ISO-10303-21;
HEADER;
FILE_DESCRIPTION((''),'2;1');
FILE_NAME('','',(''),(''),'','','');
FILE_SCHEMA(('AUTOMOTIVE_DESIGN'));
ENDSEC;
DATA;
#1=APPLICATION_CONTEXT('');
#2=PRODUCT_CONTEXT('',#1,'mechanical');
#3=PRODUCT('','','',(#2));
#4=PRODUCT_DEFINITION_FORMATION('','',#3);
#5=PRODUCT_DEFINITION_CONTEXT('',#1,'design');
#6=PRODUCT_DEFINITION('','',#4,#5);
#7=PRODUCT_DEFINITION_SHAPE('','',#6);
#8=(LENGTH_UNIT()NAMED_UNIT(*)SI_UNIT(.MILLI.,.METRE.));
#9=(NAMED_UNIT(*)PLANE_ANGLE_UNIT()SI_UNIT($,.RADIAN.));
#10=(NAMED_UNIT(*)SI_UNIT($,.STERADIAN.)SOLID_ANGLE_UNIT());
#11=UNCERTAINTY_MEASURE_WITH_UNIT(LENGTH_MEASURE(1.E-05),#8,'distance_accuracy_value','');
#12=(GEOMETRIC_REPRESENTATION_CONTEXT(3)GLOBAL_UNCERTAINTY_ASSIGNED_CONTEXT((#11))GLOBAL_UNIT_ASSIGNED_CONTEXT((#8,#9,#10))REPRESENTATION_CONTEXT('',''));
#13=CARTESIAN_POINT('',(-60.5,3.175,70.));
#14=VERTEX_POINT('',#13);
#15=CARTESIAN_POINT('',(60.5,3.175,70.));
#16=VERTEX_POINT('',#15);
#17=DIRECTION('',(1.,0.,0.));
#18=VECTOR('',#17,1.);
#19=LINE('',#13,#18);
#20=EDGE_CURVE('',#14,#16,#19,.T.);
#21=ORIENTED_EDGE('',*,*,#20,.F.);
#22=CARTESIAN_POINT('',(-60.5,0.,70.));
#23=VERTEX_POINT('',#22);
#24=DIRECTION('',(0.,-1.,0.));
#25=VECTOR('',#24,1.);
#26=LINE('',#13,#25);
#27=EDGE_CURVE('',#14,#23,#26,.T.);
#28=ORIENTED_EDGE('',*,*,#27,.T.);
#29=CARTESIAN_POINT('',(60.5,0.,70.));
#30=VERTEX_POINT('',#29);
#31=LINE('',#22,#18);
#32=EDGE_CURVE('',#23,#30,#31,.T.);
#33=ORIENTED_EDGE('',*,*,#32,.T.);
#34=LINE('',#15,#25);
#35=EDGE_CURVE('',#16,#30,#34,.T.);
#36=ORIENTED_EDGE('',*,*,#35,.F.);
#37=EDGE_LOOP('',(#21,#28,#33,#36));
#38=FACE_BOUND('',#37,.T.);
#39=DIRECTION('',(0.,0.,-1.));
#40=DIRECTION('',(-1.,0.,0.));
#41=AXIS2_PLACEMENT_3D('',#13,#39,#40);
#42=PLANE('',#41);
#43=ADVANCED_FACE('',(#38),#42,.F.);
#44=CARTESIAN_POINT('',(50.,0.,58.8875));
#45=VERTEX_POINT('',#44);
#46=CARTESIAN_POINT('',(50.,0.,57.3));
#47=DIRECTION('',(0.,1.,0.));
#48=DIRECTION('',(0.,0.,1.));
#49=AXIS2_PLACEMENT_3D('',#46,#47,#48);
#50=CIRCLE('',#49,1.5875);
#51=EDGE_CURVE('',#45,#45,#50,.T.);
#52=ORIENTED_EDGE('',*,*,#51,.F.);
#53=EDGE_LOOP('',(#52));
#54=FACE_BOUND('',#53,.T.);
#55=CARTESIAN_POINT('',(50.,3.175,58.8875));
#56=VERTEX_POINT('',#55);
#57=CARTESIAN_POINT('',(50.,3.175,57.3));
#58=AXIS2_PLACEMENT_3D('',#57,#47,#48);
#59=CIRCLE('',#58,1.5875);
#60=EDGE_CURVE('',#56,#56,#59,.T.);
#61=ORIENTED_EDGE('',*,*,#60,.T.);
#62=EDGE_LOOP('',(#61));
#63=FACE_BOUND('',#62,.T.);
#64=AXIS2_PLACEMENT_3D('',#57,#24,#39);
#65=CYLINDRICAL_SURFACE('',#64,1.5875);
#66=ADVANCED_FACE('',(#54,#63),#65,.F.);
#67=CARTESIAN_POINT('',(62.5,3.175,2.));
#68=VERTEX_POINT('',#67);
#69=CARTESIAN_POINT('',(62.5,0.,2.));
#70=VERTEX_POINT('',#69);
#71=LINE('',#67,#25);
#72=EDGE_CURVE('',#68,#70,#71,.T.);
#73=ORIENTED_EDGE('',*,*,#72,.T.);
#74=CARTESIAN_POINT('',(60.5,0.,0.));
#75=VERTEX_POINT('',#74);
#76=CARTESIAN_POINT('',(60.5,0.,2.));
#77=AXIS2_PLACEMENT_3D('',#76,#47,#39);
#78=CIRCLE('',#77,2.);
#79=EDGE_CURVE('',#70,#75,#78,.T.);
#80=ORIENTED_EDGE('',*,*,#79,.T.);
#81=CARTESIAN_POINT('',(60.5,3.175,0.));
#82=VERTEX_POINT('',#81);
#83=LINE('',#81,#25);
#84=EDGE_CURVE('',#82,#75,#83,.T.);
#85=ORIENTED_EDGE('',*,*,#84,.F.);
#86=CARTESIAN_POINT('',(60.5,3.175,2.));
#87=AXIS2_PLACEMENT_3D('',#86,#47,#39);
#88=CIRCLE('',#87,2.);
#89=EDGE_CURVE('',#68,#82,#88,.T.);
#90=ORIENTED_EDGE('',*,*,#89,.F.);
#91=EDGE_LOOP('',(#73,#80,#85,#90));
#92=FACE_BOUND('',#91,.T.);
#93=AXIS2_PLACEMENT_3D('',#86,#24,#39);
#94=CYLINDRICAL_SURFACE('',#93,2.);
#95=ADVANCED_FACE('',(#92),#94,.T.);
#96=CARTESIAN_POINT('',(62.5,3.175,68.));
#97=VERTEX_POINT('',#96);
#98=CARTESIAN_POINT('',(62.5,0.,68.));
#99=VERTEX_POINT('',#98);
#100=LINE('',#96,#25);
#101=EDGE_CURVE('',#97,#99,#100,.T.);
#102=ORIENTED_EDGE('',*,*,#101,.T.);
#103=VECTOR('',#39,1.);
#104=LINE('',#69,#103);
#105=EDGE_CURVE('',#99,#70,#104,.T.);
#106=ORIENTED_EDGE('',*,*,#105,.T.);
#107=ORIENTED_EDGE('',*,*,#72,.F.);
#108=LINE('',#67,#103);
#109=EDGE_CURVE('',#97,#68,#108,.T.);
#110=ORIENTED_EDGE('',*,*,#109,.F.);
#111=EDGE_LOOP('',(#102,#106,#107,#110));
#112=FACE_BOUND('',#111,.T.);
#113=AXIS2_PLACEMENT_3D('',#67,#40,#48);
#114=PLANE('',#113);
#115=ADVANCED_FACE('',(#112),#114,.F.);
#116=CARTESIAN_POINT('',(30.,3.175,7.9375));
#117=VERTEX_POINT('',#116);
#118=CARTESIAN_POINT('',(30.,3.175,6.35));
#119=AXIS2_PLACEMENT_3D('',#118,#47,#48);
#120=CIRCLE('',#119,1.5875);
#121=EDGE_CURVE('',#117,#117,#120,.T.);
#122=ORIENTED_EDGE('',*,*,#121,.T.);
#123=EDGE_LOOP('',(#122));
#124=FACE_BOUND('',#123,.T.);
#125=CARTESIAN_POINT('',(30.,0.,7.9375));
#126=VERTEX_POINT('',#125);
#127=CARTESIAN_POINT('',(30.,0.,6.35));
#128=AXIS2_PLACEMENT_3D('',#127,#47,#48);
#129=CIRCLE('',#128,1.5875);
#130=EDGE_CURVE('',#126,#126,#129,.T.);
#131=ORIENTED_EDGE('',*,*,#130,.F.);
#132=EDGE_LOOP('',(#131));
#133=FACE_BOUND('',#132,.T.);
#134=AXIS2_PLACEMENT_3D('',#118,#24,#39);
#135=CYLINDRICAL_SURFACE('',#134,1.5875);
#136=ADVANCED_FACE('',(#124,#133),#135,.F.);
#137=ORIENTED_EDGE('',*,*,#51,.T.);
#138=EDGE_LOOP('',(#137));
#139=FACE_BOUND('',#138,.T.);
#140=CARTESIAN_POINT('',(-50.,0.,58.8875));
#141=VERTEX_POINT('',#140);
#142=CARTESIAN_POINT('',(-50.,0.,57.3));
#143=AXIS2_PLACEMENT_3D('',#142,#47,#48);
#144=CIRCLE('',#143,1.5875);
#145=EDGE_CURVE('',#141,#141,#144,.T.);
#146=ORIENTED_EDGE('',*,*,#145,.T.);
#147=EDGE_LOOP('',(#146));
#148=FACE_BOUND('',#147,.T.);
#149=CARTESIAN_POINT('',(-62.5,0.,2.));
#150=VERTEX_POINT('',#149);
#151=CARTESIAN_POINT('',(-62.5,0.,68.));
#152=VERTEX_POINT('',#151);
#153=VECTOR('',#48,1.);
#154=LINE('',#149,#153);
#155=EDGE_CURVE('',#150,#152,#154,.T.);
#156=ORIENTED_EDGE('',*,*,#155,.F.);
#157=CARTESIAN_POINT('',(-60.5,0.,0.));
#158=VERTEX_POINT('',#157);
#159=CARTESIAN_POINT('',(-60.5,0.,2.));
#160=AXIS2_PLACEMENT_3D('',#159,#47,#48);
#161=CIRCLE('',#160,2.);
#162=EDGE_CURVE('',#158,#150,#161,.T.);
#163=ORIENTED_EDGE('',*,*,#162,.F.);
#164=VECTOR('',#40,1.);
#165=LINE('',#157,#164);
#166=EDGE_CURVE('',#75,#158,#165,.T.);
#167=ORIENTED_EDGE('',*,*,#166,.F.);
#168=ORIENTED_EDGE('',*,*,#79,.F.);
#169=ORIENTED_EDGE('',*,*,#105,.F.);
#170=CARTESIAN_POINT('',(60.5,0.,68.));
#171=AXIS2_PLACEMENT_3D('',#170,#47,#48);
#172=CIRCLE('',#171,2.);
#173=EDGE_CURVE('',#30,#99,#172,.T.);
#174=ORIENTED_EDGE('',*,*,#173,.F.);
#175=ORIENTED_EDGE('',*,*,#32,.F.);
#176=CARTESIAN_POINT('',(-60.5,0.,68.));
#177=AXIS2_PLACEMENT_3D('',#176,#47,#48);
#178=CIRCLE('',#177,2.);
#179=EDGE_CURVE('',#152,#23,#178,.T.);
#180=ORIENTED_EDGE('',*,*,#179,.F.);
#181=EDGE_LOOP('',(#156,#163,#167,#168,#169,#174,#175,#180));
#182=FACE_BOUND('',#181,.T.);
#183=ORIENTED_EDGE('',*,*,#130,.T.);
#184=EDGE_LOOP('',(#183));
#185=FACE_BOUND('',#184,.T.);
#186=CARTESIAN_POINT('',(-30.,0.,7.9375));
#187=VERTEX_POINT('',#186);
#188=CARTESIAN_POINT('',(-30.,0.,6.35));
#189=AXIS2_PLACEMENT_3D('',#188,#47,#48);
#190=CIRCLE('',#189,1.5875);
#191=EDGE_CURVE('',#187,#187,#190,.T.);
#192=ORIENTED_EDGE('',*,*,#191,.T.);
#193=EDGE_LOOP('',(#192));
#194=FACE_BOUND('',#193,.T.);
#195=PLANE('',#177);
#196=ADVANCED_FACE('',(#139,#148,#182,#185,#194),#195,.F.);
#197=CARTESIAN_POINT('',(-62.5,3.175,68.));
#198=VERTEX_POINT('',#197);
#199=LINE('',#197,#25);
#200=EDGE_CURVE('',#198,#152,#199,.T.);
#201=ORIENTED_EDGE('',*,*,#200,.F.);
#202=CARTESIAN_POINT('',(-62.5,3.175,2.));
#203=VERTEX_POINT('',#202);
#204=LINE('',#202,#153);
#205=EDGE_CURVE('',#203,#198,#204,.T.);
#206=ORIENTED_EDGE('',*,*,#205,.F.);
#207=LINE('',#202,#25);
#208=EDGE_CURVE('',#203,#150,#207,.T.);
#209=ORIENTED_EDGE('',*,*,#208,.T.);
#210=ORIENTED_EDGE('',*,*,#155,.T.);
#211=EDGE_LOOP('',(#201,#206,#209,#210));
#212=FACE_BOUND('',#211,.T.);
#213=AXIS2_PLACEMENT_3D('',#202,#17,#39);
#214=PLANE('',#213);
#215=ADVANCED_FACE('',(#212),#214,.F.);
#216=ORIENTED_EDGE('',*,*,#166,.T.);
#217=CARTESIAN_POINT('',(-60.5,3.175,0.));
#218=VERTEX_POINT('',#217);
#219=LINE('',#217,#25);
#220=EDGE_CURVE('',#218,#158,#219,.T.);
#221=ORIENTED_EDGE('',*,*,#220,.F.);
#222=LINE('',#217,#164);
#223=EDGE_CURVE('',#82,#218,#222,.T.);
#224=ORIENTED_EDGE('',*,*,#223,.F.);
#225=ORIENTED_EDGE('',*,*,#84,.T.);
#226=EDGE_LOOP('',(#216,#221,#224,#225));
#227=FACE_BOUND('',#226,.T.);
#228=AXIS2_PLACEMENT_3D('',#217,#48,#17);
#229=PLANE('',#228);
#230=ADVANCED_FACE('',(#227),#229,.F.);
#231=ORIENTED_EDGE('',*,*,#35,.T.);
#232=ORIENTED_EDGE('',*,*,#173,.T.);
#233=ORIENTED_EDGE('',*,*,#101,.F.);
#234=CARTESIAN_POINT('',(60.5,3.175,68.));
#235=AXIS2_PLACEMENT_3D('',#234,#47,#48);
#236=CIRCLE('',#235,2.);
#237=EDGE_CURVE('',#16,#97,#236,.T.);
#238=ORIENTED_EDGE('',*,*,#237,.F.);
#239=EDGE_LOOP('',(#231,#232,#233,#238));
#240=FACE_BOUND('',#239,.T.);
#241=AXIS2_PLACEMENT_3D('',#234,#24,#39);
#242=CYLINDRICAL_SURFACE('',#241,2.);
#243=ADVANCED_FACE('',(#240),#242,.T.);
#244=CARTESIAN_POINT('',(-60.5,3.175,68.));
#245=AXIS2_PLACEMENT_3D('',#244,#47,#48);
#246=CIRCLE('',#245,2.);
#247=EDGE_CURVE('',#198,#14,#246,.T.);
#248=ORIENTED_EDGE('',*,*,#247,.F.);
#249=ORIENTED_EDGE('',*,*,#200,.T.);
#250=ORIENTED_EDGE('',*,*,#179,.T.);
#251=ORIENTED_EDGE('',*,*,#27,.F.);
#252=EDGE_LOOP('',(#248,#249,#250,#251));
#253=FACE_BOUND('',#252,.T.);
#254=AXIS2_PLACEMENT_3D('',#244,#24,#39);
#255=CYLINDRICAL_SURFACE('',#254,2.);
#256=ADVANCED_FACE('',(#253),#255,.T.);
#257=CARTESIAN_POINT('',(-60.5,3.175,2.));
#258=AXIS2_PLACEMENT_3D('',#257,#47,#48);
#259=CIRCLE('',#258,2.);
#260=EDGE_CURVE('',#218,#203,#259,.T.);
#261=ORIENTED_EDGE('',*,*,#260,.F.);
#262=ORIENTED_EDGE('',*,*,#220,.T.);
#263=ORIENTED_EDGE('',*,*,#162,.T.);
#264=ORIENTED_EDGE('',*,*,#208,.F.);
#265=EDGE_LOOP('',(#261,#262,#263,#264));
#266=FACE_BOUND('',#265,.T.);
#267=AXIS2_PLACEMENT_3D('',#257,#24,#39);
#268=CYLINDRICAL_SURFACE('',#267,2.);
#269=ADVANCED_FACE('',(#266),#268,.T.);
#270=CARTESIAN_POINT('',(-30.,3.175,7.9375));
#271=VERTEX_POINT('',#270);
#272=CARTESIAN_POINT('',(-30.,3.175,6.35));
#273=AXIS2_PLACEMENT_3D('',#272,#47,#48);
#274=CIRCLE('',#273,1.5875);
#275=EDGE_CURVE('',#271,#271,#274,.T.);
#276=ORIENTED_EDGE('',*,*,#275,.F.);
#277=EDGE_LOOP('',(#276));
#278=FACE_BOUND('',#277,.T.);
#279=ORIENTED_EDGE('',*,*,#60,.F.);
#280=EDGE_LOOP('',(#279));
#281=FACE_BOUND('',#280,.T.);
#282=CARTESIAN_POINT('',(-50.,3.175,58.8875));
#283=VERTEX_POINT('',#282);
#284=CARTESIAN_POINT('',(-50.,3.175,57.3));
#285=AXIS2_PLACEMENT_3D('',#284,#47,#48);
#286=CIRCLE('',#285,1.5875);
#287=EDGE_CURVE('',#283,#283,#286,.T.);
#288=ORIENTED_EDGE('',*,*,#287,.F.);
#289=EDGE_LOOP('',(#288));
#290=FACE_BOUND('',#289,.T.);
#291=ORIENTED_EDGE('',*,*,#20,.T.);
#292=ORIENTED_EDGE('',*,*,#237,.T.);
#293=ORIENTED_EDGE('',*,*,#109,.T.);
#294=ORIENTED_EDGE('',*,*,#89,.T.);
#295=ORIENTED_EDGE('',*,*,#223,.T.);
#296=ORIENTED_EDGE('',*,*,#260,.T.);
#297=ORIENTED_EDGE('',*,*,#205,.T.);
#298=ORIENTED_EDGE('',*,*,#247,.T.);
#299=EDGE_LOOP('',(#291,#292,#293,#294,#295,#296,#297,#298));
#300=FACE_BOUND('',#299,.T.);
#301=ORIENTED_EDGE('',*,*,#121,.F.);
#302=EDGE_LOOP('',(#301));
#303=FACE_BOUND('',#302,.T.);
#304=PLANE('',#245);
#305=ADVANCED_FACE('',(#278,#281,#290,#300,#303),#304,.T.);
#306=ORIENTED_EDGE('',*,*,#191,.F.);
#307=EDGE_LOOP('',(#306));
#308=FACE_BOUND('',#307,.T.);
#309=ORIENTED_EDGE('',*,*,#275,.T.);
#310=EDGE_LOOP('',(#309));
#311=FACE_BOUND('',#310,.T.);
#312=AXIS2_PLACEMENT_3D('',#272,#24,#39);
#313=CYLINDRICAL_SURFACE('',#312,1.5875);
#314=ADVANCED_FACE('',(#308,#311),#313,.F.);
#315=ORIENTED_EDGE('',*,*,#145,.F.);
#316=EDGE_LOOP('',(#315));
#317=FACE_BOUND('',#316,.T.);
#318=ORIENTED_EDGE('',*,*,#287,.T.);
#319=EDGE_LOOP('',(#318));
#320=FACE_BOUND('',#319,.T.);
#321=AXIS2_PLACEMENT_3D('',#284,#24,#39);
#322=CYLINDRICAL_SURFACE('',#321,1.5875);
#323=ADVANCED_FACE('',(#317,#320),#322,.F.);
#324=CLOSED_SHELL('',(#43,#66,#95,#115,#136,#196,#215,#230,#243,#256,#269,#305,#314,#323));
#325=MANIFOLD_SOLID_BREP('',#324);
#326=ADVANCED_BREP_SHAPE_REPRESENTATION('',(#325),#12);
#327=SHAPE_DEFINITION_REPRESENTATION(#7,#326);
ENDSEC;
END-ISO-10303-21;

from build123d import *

# Parameters (mm, degrees)
SKETCH1_R           = 1.5875
BOSS_EXTRUDE1_DEPTH = 3.175


with BuildPart() as part:
    # Sketch1 → Boss-Extrude1 (new body)
    with BuildSketch(Plane(origin=(0, 0, 0), x_dir=(1, 0, 0), z_dir=(0, 1, 0))):
        with BuildLine():
            Line((-60.5, 0), (60.5, 0))
            ThreePointArc((60.5, 0), (61.914213562, -0.585786438), (62.5, -2))
            Line((62.5, -2), (62.5, -68))
            ThreePointArc((62.5, -68), (61.914213562, -69.414213562), (60.5, -70))
            Line((60.5, -70), (-60.5, -70))
            ThreePointArc((-60.5, -70), (-61.914213562, -69.414213562), (-62.5, -68))
            Line((-62.5, -68), (-62.5, -2))
            ThreePointArc((-62.5, -2), (-61.914213562, -0.585786438), (-60.5, 0))
        make_face()
        with Locations(Location((-30, -6.35, 0), (0, 0, 270))):
            Circle(SKETCH1_R, mode=Mode.SUBTRACT)
        with Locations(Location((30, -6.35, 0), (0, 0, 270))):
            Circle(SKETCH1_R, mode=Mode.SUBTRACT)
        with Locations(Location((-50, -57.3, 0), (0, 0, 270))):
            Circle(SKETCH1_R, mode=Mode.SUBTRACT)
        with Locations(Location((50, -57.3, 0), (0, 0, 270))):
            Circle(SKETCH1_R, mode=Mode.SUBTRACT)
    extrude(amount=BOSS_EXTRUDE1_DEPTH)


solid = part.part
